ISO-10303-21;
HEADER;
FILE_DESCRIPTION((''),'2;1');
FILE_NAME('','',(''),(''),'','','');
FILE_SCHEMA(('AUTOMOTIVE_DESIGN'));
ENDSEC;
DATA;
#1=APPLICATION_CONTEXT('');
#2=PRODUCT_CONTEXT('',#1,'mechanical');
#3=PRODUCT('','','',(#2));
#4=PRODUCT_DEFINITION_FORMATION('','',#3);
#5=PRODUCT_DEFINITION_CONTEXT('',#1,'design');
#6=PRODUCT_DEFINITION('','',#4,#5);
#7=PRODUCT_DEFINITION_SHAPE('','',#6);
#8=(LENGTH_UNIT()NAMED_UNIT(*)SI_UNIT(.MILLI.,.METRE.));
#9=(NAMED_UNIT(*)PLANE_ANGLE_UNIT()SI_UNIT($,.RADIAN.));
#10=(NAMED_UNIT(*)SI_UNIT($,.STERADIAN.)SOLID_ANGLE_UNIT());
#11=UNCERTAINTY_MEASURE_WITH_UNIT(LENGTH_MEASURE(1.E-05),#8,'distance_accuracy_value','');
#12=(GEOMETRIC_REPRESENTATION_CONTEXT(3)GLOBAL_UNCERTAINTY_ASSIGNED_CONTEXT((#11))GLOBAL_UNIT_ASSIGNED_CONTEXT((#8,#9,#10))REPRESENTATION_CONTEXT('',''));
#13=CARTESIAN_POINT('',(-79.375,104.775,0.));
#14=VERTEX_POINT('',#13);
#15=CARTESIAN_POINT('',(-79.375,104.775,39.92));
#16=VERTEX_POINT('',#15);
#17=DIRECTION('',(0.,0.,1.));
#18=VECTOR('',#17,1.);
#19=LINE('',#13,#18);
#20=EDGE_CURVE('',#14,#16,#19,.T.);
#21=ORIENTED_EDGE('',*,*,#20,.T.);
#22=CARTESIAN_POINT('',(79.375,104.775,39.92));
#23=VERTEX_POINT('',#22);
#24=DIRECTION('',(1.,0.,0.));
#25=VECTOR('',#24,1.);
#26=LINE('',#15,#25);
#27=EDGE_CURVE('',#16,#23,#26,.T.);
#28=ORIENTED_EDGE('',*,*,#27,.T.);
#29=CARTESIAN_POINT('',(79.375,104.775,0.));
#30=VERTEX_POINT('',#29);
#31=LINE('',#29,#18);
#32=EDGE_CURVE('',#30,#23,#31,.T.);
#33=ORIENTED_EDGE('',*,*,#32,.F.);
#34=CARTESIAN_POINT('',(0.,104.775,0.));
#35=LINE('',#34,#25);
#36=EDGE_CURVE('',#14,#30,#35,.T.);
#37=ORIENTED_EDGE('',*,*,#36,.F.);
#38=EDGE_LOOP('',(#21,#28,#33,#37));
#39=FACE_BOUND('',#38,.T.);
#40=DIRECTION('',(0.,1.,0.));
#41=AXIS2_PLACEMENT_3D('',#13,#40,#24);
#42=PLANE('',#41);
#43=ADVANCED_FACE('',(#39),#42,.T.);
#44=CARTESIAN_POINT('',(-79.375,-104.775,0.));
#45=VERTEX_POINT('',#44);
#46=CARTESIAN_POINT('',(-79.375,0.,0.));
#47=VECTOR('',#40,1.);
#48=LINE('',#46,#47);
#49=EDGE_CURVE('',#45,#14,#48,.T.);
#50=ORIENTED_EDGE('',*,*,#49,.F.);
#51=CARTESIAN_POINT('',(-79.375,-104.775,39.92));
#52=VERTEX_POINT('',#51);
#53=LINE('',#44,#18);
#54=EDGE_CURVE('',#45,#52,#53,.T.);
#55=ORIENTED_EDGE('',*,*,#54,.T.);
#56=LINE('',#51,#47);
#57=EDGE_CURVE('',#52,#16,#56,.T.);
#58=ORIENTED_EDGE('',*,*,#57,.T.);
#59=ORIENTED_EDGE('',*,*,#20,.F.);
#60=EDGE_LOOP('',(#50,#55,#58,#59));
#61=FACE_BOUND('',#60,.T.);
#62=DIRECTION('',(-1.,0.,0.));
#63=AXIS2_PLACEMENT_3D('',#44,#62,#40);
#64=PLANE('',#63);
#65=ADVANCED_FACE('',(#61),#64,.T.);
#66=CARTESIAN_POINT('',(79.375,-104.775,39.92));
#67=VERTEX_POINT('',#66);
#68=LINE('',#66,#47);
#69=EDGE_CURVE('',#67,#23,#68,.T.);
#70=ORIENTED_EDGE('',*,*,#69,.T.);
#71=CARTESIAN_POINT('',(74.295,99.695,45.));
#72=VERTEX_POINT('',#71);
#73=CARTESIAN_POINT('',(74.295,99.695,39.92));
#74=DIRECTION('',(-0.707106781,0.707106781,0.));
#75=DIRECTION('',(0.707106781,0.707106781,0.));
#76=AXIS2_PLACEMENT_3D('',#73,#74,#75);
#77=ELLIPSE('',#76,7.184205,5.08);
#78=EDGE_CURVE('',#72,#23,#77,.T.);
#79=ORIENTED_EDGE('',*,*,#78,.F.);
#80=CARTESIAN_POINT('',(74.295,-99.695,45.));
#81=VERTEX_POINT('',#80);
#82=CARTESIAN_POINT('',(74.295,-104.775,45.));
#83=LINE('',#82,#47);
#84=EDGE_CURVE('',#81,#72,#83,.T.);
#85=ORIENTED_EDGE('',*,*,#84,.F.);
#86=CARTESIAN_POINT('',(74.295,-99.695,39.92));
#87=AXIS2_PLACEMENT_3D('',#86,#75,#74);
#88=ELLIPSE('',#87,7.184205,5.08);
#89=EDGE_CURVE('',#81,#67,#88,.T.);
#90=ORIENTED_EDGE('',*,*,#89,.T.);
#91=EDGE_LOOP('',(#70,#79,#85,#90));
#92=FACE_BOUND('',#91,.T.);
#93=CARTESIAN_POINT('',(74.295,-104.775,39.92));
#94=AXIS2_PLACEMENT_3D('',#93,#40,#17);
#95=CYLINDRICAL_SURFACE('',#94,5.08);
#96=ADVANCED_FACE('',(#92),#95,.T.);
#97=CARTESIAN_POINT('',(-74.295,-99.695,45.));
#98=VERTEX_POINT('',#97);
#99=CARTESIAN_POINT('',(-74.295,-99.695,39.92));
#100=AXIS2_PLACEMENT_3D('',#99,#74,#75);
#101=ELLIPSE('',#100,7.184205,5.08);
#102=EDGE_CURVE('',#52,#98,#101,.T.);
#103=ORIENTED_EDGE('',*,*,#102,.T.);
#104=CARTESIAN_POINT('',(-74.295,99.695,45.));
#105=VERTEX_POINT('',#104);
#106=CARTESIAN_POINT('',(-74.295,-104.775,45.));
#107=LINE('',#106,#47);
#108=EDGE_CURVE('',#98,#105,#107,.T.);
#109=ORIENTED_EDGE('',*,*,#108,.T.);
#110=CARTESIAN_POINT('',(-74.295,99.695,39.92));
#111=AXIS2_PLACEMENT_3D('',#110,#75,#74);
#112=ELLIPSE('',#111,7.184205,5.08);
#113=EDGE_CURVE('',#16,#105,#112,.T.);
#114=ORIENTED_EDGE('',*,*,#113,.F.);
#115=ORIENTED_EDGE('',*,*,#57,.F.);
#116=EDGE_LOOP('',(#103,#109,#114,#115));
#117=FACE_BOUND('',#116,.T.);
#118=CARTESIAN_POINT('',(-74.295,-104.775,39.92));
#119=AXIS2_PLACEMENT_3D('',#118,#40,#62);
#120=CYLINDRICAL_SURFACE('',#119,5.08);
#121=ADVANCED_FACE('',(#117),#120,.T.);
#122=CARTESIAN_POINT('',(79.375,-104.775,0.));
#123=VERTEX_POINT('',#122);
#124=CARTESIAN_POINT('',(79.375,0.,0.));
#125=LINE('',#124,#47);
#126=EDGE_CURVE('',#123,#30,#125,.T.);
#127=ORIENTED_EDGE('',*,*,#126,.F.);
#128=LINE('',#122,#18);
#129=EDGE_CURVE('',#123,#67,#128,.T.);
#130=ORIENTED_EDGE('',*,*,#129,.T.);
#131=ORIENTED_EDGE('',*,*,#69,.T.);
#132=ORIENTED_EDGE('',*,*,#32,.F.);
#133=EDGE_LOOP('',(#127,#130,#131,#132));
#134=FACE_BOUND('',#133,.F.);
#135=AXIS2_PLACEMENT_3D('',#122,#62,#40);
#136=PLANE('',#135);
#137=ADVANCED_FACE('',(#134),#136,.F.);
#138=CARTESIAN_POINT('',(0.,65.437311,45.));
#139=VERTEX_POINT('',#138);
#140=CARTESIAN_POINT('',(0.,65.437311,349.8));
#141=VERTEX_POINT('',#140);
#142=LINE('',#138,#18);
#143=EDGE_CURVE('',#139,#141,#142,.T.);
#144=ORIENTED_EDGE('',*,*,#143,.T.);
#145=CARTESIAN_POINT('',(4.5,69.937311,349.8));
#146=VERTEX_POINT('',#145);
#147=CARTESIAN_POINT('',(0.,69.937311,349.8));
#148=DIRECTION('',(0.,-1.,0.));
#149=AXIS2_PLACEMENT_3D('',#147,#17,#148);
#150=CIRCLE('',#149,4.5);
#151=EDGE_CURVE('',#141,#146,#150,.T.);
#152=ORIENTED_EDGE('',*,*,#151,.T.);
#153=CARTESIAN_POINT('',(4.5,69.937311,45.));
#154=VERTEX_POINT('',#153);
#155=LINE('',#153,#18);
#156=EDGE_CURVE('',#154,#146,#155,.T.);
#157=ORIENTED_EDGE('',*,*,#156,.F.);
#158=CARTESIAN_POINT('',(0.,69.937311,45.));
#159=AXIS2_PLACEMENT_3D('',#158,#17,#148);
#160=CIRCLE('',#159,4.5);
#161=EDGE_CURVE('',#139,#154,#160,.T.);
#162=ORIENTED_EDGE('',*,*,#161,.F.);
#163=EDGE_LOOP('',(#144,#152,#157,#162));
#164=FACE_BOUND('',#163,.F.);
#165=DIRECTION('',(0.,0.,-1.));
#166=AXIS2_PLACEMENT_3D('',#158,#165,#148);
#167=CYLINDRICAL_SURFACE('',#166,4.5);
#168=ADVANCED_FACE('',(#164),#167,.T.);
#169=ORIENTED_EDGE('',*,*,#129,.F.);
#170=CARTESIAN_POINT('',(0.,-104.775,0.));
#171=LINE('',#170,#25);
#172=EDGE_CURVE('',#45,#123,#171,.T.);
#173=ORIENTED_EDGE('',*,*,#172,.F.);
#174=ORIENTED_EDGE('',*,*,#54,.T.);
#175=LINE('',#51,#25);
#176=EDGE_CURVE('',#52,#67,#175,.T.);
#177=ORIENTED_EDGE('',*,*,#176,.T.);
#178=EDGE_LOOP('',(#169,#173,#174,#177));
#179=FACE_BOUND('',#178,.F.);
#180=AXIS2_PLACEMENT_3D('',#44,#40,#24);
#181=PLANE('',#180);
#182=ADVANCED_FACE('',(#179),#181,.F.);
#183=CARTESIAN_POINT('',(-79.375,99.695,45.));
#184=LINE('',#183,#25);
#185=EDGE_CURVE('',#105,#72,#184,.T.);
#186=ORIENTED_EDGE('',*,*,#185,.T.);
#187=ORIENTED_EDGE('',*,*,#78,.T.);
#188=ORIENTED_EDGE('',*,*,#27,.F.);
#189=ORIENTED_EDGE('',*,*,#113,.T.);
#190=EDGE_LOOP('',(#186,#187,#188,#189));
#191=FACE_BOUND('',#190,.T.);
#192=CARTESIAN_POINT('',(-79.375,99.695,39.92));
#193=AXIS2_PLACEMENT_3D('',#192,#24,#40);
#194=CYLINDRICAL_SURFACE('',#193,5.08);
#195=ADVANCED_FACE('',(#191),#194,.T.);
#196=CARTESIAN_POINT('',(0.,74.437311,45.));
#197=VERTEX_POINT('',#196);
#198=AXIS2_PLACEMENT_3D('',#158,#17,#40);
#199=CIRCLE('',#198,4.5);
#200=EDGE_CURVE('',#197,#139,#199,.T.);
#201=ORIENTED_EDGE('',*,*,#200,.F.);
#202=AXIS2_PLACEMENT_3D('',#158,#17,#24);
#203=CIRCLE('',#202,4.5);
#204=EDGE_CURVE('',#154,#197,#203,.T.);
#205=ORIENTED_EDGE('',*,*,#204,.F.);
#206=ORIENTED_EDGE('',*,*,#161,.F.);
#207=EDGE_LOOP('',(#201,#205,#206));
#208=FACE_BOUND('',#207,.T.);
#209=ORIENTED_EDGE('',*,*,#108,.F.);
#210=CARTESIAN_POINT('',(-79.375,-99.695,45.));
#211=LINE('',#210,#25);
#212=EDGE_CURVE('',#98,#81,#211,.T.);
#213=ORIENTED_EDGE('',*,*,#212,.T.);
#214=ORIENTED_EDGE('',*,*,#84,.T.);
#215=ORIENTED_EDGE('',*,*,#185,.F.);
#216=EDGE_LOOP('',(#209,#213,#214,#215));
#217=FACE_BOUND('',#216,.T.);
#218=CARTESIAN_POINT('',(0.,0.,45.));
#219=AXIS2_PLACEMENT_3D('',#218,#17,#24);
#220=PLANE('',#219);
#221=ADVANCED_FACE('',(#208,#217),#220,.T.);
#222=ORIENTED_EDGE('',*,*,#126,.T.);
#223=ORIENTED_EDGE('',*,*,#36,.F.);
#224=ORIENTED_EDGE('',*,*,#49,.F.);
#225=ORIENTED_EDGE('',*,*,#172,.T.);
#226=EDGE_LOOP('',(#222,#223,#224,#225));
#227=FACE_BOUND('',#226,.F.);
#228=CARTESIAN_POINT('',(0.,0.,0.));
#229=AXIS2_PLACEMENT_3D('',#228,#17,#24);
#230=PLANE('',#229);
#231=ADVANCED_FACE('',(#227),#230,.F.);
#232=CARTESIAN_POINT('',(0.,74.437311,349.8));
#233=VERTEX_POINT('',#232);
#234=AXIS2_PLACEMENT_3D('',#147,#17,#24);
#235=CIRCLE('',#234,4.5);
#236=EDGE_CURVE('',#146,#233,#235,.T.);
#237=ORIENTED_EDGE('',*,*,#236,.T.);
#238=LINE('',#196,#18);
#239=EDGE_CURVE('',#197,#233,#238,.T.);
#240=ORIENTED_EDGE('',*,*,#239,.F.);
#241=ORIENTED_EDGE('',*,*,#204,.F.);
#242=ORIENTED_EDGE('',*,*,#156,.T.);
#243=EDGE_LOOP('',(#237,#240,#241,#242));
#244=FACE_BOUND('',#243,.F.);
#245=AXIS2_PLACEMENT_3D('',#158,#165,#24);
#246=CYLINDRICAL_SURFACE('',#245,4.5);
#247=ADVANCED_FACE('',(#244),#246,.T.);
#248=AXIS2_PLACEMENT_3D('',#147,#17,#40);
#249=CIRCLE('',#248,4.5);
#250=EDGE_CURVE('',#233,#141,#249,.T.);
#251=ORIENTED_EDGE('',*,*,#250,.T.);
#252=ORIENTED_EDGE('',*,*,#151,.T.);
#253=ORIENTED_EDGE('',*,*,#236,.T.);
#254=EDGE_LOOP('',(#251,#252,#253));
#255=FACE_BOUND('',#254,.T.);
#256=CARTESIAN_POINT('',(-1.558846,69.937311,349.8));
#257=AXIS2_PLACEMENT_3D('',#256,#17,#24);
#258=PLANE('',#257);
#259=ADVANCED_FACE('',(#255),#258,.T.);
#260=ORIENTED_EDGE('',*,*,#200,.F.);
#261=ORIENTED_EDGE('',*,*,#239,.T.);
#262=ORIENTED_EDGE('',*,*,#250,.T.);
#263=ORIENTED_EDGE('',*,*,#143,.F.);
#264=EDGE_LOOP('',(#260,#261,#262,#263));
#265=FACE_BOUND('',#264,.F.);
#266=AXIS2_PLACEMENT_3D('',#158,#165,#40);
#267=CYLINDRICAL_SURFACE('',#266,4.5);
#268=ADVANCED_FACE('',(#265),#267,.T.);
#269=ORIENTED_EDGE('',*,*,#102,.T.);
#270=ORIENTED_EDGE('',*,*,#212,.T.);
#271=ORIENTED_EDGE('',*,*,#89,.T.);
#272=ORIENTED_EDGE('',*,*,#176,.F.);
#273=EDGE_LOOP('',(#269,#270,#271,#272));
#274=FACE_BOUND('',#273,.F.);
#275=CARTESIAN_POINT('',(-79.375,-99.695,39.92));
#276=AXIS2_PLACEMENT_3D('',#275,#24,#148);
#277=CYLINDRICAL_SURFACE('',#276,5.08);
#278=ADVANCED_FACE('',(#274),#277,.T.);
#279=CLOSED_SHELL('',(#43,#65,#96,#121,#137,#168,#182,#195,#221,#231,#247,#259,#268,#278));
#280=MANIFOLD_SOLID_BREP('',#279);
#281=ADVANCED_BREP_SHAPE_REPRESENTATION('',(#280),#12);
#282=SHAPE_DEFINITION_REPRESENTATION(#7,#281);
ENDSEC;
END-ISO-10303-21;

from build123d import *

# Parameters (mm, degrees)
F0_W     = 158.75
F0_H     = 209.55
F1_DEPTH = 45
F3_DEPTH = 304.8
F4_R     = 5.08


with BuildPart() as f1:
    # F0 (on Top) → F1 (new body)
    with BuildSketch(Plane.XY):
        Rectangle(F0_W, F0_H)
    extrude(amount=F1_DEPTH)

    # F2 (on face) → F3 (join)
    with BuildSketch(Plane.XY.offset(45)):
        with BuildLine():
            Line((0, 69.9373111129), (0, 74.4373111129))
            ThreePointArc((0, 74.4373111129), (-4.5, 69.9373111129), (0, 65.4373111129))
            Line((0, 65.4373111129), (0, 69.9373111129))
        make_face()
        with BuildLine():
            ThreePointArc((4.5, 69.9373111129), (3.1819805153, 73.1192916282), (0, 74.4373111129))
            Line((0, 74.4373111129), (0, 69.9373111129))
            Line((0, 69.9373111129), (0, 65.4373111129))
            ThreePointArc((0, 65.4373111129), (3.1819805153, 66.7553305975), (4.5, 69.9373111129))
        make_face()
    extrude(amount=F3_DEPTH)

    # F4
    f4_edges = [f1.edges().sort_by_distance(p)[0] for p in [
        (79.375, 0, 45),
        (0, -104.775, 45),
        (-79.375, 0, 45),
        (0, 104.775, 45),
    ]]
    fillet(f4_edges, radius=F4_R)


solid = f1.part
